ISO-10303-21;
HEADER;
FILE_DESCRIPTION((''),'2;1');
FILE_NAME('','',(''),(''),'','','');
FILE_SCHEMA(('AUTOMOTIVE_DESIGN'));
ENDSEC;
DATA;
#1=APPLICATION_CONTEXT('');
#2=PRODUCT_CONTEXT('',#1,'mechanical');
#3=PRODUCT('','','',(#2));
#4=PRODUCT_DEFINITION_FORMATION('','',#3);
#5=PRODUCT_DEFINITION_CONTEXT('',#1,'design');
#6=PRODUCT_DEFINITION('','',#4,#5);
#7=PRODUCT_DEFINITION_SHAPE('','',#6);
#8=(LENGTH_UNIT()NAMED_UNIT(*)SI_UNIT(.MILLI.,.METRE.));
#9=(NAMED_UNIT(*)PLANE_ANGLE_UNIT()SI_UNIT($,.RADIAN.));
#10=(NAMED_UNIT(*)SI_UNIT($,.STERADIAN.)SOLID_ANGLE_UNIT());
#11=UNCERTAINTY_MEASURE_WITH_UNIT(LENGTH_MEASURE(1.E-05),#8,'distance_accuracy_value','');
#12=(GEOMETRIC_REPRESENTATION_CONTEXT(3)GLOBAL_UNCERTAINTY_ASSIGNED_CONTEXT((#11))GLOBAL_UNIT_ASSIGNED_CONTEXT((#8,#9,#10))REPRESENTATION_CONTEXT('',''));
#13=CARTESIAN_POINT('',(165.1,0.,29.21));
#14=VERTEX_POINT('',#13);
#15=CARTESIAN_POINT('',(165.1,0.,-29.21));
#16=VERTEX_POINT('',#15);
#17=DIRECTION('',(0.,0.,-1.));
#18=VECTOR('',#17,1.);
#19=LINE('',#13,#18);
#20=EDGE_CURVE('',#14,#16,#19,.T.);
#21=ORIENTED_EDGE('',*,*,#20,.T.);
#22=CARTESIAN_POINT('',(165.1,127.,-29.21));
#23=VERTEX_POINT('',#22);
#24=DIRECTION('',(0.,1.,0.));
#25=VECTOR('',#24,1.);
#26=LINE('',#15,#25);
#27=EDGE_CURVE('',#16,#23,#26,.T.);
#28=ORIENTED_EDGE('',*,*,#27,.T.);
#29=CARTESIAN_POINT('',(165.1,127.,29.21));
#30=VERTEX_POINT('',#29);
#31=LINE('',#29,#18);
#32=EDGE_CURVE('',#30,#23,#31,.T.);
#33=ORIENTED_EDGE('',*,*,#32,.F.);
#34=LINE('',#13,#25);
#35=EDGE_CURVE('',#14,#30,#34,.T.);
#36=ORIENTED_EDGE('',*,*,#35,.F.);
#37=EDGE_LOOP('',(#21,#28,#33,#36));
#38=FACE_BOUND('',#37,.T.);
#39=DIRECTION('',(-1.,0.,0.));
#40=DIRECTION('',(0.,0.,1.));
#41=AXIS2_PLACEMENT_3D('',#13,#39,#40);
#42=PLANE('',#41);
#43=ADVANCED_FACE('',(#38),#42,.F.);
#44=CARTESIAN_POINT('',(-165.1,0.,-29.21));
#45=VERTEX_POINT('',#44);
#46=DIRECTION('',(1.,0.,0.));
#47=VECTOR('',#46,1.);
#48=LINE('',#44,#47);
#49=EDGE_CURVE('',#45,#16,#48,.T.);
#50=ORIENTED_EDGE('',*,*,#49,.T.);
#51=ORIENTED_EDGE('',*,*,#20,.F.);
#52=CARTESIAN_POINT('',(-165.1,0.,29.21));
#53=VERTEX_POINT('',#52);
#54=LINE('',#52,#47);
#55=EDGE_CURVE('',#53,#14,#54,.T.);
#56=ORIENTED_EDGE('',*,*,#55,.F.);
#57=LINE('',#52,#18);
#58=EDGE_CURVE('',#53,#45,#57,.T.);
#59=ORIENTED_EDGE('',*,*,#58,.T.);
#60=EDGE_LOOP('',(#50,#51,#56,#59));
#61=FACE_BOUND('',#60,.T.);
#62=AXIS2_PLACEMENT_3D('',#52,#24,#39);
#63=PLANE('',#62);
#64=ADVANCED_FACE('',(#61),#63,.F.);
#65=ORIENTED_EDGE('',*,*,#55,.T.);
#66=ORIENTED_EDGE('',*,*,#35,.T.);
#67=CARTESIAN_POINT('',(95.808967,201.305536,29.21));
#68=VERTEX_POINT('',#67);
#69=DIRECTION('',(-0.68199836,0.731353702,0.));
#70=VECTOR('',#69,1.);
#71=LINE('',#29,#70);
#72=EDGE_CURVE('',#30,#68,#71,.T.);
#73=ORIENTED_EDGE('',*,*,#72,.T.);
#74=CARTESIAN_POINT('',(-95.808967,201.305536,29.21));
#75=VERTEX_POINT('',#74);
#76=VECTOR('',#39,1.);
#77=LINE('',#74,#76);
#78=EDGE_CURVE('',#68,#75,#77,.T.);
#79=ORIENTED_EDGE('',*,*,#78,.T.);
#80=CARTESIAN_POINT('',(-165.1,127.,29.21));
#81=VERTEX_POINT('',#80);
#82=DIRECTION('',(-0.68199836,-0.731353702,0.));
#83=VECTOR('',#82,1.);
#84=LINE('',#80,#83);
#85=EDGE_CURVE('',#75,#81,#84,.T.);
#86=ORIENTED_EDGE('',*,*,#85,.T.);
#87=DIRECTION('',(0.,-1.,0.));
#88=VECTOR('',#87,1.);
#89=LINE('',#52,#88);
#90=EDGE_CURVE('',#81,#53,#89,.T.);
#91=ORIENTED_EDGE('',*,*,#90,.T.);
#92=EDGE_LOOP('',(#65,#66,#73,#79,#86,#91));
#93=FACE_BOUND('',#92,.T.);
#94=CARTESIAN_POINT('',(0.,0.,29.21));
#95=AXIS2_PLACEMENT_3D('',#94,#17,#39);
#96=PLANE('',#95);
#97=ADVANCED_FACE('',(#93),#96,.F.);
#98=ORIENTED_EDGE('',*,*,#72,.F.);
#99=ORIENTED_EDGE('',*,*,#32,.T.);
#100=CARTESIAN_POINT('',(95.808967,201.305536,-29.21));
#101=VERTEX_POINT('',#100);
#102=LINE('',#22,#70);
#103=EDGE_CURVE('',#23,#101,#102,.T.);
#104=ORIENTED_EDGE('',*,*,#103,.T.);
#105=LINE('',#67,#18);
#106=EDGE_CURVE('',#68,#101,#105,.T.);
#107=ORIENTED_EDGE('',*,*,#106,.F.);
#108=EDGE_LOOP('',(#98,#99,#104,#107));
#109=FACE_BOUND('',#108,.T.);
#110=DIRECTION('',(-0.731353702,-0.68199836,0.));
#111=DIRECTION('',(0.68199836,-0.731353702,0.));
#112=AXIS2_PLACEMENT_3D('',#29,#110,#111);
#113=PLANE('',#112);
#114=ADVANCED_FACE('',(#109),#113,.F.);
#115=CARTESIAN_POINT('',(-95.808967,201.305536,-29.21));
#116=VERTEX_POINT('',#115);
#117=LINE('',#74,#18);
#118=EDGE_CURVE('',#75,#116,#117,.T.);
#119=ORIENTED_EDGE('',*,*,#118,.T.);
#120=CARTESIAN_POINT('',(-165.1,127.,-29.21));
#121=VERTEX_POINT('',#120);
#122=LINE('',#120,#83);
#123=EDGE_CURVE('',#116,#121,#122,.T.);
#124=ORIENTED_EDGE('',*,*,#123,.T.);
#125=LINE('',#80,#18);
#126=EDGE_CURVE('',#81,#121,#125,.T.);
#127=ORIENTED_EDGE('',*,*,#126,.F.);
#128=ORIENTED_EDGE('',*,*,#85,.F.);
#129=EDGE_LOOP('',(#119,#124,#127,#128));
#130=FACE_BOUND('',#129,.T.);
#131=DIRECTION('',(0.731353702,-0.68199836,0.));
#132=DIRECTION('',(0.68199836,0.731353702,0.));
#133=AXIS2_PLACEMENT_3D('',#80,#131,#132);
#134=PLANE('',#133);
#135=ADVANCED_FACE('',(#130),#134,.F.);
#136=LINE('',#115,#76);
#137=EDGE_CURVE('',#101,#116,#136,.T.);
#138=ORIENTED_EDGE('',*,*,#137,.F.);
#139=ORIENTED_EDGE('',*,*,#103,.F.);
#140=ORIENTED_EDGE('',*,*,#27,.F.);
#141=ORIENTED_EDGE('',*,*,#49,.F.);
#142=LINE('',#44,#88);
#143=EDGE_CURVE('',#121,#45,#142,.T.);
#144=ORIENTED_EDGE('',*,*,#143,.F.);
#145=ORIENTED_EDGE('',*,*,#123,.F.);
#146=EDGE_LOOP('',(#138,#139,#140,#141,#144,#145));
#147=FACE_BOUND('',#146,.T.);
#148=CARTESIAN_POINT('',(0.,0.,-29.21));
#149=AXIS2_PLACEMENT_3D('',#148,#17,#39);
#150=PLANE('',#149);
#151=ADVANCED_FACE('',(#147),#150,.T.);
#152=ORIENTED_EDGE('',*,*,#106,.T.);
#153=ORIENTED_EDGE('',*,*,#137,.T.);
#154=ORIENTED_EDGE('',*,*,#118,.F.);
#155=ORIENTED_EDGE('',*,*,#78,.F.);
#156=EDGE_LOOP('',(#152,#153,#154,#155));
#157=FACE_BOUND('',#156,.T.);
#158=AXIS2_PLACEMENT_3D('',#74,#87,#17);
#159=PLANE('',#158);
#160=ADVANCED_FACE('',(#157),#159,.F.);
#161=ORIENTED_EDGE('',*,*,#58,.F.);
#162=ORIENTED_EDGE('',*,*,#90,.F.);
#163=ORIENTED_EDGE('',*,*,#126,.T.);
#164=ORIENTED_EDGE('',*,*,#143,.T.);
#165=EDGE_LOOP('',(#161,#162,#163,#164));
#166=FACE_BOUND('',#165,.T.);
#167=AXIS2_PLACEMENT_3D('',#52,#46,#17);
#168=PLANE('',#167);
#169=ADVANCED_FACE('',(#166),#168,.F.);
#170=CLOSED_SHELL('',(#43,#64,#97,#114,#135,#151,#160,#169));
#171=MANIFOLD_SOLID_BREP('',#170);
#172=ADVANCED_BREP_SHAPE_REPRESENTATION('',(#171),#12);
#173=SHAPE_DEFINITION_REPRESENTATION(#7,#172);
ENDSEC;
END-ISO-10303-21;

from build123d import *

# Parameters (mm, degrees)
BOSS_EXTRUDE1_DEPTH = 29.21


with BuildPart() as part:
    # Sketch1 → Boss-Extrude1 (new, symmetric)
    with BuildSketch(Plane.XY):
        Polygon((-165.1, 0), (165.1, 0), (165.1, 127), (95.808966618, 201.305536085), (-95.808966618, 201.305536085), (-165.1, 127), align=None)
    extrude(amount=BOSS_EXTRUDE1_DEPTH, both=True)


solid = part.part
